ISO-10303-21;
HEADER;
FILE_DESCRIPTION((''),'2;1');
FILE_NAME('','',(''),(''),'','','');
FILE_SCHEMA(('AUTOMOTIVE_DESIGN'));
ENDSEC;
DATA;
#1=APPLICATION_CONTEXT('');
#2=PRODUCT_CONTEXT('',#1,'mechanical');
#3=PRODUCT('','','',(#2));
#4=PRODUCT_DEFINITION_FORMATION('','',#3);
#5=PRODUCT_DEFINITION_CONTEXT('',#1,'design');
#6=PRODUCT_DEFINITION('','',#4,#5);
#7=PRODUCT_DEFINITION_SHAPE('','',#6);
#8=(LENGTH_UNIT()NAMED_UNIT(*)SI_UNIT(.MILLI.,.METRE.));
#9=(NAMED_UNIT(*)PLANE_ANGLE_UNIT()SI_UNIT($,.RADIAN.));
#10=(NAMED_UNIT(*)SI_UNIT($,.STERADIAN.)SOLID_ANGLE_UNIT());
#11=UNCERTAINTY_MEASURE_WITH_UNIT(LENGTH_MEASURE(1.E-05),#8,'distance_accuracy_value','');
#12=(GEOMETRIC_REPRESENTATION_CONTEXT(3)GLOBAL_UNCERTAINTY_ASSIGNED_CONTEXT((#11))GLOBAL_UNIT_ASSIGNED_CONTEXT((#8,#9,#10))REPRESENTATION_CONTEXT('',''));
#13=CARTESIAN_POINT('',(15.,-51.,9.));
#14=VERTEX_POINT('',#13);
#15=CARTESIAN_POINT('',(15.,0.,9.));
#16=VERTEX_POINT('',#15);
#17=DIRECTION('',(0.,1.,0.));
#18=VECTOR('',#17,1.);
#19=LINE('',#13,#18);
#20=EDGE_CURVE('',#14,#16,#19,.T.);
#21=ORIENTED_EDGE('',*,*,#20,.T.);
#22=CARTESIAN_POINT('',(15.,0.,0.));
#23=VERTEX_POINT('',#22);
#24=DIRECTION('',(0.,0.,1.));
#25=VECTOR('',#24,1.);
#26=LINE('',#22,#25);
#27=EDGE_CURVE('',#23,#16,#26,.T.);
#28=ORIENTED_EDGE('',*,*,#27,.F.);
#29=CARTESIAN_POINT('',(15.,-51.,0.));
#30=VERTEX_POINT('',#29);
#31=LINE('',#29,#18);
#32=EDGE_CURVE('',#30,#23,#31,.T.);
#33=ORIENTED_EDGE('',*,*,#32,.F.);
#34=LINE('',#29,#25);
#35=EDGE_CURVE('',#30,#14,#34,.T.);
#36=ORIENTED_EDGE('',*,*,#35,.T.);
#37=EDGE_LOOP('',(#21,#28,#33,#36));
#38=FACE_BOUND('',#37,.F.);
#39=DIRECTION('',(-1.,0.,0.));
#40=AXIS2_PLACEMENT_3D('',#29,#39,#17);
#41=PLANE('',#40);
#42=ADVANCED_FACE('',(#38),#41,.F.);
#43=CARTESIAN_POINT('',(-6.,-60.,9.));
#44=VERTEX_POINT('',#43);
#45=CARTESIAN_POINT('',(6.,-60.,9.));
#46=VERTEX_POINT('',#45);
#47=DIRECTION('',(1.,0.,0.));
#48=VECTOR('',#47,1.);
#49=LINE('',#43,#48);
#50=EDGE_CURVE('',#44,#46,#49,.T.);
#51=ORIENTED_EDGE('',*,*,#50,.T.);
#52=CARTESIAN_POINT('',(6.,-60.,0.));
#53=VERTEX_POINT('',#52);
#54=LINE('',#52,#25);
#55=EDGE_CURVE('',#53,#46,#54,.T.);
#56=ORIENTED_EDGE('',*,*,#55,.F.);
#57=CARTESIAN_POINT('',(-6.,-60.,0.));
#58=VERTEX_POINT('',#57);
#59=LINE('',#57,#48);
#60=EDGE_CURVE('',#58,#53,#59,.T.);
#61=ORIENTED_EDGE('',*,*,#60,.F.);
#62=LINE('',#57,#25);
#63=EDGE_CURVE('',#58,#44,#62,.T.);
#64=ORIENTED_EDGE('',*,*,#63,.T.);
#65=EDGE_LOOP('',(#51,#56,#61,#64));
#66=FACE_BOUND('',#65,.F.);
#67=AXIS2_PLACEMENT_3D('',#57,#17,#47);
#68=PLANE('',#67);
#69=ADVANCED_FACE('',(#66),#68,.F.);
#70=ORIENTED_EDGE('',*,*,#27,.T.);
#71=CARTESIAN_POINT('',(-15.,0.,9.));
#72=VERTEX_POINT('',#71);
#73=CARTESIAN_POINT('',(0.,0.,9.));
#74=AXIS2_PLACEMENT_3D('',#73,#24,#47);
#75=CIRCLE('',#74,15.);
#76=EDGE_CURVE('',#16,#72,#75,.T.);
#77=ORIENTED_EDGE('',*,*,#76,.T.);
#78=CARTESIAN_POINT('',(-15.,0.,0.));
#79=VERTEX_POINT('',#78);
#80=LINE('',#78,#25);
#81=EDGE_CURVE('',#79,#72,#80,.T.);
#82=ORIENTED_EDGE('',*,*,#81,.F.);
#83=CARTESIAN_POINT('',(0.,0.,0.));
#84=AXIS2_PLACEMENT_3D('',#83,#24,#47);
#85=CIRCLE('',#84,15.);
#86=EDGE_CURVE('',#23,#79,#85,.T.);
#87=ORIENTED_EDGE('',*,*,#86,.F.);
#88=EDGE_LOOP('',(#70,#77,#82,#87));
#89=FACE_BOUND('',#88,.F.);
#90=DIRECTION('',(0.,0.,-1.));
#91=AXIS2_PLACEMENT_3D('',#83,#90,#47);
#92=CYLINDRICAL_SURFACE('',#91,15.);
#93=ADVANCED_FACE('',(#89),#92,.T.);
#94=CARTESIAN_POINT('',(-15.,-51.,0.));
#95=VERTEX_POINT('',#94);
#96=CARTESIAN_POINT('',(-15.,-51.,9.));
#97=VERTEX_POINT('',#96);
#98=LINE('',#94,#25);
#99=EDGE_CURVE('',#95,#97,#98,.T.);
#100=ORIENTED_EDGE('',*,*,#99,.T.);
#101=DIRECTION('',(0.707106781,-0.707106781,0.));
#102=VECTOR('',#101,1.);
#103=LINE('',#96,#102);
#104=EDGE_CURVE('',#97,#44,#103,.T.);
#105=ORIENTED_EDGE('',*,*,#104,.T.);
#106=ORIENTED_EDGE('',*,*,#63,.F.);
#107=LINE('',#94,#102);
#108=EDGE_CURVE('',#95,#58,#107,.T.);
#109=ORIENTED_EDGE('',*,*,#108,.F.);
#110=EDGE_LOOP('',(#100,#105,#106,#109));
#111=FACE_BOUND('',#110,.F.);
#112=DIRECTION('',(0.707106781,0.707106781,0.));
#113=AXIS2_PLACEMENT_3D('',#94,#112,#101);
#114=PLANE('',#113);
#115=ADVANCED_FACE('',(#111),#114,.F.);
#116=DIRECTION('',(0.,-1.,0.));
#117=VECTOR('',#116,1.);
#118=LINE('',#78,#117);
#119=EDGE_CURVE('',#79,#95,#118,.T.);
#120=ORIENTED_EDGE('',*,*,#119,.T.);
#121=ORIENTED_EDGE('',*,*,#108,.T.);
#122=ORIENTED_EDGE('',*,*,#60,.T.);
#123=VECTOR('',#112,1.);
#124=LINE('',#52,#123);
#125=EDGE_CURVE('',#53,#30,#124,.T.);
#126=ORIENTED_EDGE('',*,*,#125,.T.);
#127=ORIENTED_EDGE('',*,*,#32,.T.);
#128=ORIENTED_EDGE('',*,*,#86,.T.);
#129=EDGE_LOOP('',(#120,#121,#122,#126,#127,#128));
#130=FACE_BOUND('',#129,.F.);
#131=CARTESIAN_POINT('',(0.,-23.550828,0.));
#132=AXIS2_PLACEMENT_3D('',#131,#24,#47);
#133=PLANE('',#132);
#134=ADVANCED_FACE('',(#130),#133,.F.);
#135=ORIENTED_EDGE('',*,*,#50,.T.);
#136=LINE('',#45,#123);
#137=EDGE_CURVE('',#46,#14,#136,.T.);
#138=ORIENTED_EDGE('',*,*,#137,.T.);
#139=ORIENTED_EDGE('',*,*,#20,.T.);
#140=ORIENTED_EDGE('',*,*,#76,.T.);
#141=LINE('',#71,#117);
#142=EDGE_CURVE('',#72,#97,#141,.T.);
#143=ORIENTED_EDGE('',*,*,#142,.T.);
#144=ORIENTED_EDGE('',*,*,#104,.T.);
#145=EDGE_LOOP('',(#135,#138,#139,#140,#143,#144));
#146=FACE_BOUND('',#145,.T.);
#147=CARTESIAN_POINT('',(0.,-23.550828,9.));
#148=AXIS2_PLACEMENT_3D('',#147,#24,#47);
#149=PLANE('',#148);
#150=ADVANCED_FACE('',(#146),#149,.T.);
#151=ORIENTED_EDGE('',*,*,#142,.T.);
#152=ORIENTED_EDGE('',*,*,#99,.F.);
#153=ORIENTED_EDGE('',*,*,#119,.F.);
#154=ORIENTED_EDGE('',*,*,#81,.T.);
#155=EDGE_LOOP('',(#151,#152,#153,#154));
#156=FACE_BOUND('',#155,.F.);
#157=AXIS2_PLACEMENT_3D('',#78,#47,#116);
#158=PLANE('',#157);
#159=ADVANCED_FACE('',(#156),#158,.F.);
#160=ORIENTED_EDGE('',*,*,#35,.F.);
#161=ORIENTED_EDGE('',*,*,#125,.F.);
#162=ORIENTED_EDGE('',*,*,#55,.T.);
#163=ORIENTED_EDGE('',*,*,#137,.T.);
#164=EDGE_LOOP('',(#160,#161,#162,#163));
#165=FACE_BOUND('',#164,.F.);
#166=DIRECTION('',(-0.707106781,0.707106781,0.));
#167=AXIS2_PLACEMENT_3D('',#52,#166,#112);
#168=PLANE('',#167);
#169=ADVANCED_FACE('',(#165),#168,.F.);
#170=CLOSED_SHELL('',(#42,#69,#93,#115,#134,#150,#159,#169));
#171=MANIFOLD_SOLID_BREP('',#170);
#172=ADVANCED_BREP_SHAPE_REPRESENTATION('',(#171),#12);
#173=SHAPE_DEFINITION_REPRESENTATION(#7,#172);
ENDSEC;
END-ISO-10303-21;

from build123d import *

# Parameters (mm, degrees)
F1_DEPTH = 9


with BuildPart() as f1:
    # F0 (on Top) → F1 (new body)
    with BuildSketch(Plane.XY):
        with BuildLine():
            Line((15, -51), (15, 0))
            ThreePointArc((15, 0), (0, 15), (-15, 0))
            Line((-15, 0), (-15, -51))
            Line((-15, -51), (-6, -60))
            Line((-6, -60), (6, -60))
            Line((6, -60), (15, -51))
        make_face()
    extrude(amount=F1_DEPTH)


solid = f1.part
